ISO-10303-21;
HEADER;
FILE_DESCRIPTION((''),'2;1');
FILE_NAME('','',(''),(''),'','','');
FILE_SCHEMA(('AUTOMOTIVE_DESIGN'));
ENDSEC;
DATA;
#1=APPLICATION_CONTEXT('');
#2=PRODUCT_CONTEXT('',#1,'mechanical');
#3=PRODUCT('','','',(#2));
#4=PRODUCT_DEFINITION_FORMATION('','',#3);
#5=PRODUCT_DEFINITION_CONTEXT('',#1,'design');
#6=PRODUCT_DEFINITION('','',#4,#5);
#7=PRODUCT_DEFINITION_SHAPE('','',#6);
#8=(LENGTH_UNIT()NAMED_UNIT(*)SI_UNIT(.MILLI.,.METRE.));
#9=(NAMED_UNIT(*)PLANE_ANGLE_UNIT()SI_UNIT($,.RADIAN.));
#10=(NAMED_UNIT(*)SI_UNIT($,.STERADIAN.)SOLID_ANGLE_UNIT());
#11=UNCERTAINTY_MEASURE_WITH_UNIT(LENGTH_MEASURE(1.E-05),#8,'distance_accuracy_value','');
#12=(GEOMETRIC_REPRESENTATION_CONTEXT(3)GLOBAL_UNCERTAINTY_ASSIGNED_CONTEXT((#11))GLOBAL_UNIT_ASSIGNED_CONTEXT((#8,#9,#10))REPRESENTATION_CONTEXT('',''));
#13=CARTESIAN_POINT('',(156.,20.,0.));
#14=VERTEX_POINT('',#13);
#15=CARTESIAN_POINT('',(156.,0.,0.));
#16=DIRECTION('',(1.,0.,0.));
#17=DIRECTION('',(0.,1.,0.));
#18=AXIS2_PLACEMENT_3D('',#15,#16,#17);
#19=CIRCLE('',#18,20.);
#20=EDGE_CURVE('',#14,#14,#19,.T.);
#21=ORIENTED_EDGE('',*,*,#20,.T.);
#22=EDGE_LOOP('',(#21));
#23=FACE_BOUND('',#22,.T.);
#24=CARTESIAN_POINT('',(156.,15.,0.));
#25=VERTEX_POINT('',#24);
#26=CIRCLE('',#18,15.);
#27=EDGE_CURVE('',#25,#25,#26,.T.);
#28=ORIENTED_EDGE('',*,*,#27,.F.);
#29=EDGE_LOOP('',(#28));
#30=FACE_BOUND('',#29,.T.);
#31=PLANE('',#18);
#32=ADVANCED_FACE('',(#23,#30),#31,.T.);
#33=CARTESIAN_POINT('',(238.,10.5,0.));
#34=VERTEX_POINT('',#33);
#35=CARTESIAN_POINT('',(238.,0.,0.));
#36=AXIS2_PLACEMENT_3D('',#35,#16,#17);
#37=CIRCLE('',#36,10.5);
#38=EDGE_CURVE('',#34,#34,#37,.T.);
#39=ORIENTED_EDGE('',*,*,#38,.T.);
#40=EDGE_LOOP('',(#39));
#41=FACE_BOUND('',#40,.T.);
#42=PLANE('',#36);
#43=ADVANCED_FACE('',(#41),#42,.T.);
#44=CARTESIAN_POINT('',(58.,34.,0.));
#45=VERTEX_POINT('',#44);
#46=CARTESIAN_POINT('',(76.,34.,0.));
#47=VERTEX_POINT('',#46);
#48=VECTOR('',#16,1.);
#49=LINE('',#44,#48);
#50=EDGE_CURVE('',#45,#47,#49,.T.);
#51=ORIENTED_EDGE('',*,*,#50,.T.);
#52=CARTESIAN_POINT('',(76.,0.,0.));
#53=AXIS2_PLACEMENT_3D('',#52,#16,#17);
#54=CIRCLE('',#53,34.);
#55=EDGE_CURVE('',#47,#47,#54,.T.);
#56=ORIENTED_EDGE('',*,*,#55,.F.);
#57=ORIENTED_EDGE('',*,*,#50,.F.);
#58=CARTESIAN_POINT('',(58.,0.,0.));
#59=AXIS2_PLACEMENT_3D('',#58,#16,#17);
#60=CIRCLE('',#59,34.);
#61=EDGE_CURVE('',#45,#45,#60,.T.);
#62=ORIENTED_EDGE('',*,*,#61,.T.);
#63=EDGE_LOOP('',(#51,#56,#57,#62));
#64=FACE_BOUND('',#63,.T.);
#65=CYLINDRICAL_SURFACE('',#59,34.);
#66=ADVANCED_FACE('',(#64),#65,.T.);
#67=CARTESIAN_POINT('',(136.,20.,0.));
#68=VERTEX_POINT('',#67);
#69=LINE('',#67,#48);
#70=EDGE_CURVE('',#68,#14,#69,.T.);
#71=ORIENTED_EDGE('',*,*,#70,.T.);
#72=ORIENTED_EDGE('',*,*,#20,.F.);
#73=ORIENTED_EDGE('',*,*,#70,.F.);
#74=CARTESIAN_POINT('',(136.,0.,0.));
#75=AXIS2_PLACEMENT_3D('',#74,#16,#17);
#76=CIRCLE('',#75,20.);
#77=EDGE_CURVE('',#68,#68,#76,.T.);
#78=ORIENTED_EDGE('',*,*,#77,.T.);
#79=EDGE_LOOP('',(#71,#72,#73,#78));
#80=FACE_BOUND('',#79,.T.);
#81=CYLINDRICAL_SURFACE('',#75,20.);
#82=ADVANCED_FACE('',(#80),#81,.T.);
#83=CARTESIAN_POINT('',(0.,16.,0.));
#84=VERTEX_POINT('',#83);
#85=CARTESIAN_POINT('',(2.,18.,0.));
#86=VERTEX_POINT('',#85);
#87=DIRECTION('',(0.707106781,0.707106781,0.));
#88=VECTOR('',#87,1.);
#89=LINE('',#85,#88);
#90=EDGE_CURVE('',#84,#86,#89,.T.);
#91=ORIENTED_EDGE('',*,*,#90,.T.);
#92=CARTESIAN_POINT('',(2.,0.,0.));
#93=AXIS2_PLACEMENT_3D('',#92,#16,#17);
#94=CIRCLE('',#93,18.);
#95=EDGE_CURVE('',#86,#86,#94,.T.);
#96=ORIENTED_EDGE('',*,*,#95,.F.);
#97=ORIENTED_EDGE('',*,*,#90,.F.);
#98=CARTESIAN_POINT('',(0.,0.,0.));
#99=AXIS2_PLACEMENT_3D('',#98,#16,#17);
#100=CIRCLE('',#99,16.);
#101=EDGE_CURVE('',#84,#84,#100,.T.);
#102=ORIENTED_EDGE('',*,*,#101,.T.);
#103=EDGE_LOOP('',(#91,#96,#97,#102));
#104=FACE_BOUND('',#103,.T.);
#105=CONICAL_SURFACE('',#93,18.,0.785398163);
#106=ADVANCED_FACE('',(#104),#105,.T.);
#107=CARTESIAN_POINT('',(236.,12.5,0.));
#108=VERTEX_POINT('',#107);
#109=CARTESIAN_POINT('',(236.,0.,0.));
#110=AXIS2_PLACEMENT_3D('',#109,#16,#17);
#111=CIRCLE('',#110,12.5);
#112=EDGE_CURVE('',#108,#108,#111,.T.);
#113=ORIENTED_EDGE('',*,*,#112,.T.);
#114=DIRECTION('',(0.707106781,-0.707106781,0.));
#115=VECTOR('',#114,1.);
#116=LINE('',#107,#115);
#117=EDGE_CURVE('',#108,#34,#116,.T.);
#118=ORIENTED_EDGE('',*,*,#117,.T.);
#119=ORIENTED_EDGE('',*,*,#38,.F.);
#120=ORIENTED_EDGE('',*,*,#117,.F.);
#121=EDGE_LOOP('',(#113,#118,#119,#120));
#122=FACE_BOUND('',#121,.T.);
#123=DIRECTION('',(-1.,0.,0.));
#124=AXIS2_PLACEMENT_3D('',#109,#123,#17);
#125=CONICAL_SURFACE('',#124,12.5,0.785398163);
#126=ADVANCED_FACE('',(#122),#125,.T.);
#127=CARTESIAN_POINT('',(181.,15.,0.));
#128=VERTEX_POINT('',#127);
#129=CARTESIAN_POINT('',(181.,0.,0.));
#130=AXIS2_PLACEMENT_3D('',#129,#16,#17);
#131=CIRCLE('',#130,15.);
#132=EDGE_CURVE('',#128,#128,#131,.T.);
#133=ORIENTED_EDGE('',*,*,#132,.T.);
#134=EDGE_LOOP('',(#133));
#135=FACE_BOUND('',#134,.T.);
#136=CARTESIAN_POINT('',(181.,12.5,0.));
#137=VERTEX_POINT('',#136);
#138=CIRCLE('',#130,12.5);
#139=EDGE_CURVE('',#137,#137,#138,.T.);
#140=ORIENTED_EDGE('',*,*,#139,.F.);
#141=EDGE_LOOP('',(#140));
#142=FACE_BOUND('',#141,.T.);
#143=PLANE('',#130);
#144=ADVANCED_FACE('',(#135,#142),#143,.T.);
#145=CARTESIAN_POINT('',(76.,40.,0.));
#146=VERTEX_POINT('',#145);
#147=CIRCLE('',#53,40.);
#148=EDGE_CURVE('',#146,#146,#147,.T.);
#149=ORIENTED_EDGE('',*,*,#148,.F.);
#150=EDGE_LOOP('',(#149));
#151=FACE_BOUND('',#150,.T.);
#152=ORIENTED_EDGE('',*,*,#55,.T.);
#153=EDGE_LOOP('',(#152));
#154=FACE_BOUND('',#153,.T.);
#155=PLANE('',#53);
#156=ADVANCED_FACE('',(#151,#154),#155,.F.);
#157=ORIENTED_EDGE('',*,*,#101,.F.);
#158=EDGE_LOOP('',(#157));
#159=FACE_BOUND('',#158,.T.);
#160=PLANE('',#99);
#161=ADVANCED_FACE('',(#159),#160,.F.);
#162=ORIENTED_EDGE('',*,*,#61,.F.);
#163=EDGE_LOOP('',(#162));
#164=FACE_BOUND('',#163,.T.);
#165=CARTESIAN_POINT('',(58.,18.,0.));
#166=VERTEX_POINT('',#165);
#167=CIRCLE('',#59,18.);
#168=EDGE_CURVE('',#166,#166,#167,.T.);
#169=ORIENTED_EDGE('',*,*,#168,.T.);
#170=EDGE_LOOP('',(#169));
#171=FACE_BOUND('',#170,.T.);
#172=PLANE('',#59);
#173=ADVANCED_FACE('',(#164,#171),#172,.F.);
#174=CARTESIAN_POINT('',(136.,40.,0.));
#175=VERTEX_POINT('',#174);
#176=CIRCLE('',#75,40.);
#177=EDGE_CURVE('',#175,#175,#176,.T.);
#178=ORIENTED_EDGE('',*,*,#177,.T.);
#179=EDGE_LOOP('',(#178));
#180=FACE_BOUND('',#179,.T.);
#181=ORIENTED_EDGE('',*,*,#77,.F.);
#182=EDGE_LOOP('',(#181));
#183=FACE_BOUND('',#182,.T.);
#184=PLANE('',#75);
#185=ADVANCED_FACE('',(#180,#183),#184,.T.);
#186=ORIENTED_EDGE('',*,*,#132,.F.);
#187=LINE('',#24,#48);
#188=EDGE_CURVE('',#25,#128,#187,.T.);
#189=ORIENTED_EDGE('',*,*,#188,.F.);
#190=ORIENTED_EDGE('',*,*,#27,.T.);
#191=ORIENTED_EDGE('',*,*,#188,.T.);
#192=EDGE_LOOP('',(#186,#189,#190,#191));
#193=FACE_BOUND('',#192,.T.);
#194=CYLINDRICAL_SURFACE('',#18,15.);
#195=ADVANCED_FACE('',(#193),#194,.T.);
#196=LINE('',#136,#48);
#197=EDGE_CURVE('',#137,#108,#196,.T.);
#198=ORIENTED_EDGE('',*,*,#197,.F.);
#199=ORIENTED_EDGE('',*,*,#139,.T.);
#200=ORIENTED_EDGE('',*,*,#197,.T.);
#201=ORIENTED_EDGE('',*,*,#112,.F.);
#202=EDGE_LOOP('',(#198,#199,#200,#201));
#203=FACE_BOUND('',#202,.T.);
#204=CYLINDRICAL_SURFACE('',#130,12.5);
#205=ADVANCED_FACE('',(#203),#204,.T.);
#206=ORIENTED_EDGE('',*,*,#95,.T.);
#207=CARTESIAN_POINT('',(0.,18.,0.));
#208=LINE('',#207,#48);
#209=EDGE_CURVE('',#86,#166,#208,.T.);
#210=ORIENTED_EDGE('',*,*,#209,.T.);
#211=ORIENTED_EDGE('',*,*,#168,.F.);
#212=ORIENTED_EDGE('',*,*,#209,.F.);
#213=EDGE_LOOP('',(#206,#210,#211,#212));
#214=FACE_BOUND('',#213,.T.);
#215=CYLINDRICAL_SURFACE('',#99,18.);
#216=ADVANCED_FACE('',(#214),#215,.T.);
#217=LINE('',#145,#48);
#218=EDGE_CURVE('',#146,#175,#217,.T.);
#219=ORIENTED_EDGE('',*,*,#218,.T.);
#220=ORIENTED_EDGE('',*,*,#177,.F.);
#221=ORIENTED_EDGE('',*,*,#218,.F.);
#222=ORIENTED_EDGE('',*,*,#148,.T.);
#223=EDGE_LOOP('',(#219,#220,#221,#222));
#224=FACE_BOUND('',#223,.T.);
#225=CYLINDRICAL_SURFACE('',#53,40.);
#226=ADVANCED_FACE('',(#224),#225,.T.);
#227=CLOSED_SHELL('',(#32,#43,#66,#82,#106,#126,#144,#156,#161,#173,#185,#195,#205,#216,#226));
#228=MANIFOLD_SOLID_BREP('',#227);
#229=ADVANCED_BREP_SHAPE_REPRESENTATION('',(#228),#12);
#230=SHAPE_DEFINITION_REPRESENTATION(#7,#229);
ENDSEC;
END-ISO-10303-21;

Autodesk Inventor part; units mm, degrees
ref_plane "Start Plane" through (0, 0, 0) normal (1, 0, 0) x (0, 1, 0)
ref_plane "XZ Plane" through (0, 0, 0) normal (0, 1, 0) x (-1, 0, 0)
ref_plane "XY Plane" through (0, 0, 0) normal (0, 0, 1) x (1, 0, 0)
sketch "Main Sketch" plane through (0, 0, 0) normal (0, 0, 1) x (1, 0, 0)
  line L0 (0, 0) -> (238, 0)
  line L1 (0, 0) -> (0, 18)
  line L2 (0, 18) -> (58, 18)
  line L3 (58, 18) -> (58, 34)
  line L4 (76, 34) -> (76, 40)
  line L5 (58, 34) -> (76, 34)
  line L6 (136, 40) -> (136, 20)
  line L7 (76, 40) -> (136, 40)
  line L8 (156, 20) -> (156, 15)
  line L9 (136, 20) -> (156, 20)
  line L10 (181, 15) -> (181, 12.5)
  line L11 (156, 15) -> (181, 15)
  line L12 (238, 12.5) -> (238, 0)
  line L13 (181, 12.5) -> (238, 12.5)
  dimension "d3" = 36
  dimension "d4" = 68
  dimension "d5" = 80
  dimension "d6" = 40
  dimension "d7" = 30
  dimension "d8" = 25
revolve "Revolution1" add sketch "Main Sketch" angle 360 about axis through (0, 0, 0) along (1, 0, 0)
chamfer "Chamfer1" distance 2 angle 45 1 edges at (0, -18, 0) measured on face at (38.6667, 17.7669, -2.8874)
chamfer "Chamfer2" distance 2 angle 45 1 edges at (238, -12.5, 0) measured on face at (219, 12.4595, -1.0058)
equation "\"Length\" = 238"
properties part number "Shaft" material "Steel"
